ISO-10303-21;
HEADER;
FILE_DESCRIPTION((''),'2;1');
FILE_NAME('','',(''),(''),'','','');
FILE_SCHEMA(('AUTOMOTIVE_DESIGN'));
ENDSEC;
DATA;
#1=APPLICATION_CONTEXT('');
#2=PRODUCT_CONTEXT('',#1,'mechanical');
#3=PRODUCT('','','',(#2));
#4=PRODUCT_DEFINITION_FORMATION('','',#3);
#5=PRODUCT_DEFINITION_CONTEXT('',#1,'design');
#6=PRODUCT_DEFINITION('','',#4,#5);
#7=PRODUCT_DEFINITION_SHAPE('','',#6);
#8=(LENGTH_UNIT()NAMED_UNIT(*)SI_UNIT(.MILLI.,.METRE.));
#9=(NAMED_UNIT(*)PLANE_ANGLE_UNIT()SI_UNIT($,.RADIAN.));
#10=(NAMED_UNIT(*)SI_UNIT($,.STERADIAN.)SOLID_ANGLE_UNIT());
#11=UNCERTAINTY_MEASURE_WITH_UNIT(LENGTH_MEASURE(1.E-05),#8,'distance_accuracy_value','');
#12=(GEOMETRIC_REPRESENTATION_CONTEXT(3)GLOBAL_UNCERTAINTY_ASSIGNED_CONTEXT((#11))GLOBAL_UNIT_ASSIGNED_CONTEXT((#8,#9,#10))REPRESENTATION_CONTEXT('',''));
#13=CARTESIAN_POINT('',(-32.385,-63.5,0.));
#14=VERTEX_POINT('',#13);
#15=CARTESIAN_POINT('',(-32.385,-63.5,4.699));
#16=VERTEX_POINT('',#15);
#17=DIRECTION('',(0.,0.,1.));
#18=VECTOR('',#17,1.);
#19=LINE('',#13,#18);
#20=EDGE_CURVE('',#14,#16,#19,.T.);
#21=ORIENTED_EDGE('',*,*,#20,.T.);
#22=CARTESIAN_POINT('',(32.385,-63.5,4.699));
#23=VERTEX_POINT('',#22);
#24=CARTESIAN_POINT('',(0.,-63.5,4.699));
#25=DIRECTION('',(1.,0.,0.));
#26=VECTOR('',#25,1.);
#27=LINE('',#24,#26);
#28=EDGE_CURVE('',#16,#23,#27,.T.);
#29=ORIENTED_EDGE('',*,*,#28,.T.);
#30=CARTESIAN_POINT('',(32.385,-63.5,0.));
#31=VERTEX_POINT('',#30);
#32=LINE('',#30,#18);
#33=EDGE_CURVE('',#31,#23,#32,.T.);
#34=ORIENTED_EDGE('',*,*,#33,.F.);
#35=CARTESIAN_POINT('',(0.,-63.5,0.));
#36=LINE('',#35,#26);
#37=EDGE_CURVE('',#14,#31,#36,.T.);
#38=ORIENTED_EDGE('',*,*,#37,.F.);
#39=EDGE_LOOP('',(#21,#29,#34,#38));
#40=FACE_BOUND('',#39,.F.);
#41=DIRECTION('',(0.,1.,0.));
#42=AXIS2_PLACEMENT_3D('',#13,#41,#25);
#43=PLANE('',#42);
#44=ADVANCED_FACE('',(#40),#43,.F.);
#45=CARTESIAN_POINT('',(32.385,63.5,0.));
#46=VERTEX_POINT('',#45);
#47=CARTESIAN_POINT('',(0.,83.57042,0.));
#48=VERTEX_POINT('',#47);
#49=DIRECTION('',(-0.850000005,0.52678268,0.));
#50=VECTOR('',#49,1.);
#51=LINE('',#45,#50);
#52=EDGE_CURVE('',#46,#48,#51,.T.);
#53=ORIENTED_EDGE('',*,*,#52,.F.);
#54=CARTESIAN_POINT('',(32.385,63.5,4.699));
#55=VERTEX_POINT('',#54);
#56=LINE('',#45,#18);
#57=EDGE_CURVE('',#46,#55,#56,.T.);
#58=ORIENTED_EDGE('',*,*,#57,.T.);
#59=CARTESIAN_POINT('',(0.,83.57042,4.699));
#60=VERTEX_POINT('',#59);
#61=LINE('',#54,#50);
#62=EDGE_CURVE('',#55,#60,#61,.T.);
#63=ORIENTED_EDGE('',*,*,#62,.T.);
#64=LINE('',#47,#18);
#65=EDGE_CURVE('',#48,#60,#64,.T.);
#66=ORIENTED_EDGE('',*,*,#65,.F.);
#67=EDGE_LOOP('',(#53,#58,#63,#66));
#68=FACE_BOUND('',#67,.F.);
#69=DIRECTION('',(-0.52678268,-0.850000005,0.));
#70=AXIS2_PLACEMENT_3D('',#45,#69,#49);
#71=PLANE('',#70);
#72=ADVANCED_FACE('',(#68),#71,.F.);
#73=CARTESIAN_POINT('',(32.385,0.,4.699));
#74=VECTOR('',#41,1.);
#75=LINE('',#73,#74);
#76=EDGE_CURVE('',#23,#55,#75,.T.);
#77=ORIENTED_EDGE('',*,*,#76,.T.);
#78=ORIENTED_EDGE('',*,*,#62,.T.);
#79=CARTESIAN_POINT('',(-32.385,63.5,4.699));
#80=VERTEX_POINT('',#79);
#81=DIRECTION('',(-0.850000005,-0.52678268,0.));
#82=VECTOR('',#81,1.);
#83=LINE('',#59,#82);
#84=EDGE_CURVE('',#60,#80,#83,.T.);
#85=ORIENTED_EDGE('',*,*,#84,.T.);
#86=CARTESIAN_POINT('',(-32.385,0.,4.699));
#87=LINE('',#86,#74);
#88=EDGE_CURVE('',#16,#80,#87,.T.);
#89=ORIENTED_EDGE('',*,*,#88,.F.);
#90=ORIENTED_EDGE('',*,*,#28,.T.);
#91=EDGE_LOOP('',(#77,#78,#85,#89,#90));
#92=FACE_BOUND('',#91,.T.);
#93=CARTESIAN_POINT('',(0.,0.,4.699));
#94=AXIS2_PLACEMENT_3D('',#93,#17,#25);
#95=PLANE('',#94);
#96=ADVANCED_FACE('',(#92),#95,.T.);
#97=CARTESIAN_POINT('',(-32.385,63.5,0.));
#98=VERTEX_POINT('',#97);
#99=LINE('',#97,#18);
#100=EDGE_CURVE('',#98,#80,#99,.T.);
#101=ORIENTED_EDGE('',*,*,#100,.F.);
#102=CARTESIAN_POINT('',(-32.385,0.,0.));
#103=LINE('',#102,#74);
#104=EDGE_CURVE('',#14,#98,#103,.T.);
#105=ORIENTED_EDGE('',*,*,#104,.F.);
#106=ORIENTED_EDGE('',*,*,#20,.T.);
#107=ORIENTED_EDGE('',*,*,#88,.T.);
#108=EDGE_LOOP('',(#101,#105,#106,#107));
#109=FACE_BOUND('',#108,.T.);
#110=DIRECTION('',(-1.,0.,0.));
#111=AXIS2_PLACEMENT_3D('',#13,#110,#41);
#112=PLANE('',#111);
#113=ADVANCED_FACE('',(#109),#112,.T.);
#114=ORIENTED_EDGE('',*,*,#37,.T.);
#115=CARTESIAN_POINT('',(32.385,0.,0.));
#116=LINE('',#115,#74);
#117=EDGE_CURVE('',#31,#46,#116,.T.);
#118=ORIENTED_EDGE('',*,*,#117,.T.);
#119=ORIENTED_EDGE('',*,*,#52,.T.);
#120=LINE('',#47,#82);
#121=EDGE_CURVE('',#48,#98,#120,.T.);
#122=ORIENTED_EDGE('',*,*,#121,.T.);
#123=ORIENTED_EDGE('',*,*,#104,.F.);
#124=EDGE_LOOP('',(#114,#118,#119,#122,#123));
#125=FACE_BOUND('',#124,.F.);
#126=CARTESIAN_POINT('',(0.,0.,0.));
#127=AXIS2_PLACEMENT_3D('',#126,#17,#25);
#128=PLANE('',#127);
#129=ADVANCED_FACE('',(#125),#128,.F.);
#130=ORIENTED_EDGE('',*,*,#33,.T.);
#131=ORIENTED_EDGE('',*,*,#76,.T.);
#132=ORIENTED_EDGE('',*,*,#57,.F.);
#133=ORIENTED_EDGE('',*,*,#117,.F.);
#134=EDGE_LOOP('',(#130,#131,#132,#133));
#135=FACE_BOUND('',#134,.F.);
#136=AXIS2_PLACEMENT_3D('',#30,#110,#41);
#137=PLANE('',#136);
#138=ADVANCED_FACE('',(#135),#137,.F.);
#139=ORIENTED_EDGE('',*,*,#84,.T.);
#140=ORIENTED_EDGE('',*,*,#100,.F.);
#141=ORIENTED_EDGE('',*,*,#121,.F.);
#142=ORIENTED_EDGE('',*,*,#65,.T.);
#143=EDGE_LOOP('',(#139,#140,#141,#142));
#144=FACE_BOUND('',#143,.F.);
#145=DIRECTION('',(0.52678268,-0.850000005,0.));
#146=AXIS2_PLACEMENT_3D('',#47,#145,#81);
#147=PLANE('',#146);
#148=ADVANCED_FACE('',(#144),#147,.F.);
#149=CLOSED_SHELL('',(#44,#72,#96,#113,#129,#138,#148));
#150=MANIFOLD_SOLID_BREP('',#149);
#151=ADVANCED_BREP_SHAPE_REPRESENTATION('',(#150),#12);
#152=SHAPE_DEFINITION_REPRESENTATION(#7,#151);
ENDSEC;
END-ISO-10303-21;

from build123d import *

# Parameters (mm, degrees)
F0_W     = 64.77
F0_H     = 127
F1_DEPTH = 4.699


with BuildPart() as f1:
    # F0 (on Top) → F1 (new body)
    with BuildSketch(Plane.XY):
        Rectangle(F0_W, F0_H)
        Polygon((-32.385, 63.5), (32.385, 63.5), (0, 83.57042), align=None)
    extrude(amount=F1_DEPTH)


solid = f1.part
